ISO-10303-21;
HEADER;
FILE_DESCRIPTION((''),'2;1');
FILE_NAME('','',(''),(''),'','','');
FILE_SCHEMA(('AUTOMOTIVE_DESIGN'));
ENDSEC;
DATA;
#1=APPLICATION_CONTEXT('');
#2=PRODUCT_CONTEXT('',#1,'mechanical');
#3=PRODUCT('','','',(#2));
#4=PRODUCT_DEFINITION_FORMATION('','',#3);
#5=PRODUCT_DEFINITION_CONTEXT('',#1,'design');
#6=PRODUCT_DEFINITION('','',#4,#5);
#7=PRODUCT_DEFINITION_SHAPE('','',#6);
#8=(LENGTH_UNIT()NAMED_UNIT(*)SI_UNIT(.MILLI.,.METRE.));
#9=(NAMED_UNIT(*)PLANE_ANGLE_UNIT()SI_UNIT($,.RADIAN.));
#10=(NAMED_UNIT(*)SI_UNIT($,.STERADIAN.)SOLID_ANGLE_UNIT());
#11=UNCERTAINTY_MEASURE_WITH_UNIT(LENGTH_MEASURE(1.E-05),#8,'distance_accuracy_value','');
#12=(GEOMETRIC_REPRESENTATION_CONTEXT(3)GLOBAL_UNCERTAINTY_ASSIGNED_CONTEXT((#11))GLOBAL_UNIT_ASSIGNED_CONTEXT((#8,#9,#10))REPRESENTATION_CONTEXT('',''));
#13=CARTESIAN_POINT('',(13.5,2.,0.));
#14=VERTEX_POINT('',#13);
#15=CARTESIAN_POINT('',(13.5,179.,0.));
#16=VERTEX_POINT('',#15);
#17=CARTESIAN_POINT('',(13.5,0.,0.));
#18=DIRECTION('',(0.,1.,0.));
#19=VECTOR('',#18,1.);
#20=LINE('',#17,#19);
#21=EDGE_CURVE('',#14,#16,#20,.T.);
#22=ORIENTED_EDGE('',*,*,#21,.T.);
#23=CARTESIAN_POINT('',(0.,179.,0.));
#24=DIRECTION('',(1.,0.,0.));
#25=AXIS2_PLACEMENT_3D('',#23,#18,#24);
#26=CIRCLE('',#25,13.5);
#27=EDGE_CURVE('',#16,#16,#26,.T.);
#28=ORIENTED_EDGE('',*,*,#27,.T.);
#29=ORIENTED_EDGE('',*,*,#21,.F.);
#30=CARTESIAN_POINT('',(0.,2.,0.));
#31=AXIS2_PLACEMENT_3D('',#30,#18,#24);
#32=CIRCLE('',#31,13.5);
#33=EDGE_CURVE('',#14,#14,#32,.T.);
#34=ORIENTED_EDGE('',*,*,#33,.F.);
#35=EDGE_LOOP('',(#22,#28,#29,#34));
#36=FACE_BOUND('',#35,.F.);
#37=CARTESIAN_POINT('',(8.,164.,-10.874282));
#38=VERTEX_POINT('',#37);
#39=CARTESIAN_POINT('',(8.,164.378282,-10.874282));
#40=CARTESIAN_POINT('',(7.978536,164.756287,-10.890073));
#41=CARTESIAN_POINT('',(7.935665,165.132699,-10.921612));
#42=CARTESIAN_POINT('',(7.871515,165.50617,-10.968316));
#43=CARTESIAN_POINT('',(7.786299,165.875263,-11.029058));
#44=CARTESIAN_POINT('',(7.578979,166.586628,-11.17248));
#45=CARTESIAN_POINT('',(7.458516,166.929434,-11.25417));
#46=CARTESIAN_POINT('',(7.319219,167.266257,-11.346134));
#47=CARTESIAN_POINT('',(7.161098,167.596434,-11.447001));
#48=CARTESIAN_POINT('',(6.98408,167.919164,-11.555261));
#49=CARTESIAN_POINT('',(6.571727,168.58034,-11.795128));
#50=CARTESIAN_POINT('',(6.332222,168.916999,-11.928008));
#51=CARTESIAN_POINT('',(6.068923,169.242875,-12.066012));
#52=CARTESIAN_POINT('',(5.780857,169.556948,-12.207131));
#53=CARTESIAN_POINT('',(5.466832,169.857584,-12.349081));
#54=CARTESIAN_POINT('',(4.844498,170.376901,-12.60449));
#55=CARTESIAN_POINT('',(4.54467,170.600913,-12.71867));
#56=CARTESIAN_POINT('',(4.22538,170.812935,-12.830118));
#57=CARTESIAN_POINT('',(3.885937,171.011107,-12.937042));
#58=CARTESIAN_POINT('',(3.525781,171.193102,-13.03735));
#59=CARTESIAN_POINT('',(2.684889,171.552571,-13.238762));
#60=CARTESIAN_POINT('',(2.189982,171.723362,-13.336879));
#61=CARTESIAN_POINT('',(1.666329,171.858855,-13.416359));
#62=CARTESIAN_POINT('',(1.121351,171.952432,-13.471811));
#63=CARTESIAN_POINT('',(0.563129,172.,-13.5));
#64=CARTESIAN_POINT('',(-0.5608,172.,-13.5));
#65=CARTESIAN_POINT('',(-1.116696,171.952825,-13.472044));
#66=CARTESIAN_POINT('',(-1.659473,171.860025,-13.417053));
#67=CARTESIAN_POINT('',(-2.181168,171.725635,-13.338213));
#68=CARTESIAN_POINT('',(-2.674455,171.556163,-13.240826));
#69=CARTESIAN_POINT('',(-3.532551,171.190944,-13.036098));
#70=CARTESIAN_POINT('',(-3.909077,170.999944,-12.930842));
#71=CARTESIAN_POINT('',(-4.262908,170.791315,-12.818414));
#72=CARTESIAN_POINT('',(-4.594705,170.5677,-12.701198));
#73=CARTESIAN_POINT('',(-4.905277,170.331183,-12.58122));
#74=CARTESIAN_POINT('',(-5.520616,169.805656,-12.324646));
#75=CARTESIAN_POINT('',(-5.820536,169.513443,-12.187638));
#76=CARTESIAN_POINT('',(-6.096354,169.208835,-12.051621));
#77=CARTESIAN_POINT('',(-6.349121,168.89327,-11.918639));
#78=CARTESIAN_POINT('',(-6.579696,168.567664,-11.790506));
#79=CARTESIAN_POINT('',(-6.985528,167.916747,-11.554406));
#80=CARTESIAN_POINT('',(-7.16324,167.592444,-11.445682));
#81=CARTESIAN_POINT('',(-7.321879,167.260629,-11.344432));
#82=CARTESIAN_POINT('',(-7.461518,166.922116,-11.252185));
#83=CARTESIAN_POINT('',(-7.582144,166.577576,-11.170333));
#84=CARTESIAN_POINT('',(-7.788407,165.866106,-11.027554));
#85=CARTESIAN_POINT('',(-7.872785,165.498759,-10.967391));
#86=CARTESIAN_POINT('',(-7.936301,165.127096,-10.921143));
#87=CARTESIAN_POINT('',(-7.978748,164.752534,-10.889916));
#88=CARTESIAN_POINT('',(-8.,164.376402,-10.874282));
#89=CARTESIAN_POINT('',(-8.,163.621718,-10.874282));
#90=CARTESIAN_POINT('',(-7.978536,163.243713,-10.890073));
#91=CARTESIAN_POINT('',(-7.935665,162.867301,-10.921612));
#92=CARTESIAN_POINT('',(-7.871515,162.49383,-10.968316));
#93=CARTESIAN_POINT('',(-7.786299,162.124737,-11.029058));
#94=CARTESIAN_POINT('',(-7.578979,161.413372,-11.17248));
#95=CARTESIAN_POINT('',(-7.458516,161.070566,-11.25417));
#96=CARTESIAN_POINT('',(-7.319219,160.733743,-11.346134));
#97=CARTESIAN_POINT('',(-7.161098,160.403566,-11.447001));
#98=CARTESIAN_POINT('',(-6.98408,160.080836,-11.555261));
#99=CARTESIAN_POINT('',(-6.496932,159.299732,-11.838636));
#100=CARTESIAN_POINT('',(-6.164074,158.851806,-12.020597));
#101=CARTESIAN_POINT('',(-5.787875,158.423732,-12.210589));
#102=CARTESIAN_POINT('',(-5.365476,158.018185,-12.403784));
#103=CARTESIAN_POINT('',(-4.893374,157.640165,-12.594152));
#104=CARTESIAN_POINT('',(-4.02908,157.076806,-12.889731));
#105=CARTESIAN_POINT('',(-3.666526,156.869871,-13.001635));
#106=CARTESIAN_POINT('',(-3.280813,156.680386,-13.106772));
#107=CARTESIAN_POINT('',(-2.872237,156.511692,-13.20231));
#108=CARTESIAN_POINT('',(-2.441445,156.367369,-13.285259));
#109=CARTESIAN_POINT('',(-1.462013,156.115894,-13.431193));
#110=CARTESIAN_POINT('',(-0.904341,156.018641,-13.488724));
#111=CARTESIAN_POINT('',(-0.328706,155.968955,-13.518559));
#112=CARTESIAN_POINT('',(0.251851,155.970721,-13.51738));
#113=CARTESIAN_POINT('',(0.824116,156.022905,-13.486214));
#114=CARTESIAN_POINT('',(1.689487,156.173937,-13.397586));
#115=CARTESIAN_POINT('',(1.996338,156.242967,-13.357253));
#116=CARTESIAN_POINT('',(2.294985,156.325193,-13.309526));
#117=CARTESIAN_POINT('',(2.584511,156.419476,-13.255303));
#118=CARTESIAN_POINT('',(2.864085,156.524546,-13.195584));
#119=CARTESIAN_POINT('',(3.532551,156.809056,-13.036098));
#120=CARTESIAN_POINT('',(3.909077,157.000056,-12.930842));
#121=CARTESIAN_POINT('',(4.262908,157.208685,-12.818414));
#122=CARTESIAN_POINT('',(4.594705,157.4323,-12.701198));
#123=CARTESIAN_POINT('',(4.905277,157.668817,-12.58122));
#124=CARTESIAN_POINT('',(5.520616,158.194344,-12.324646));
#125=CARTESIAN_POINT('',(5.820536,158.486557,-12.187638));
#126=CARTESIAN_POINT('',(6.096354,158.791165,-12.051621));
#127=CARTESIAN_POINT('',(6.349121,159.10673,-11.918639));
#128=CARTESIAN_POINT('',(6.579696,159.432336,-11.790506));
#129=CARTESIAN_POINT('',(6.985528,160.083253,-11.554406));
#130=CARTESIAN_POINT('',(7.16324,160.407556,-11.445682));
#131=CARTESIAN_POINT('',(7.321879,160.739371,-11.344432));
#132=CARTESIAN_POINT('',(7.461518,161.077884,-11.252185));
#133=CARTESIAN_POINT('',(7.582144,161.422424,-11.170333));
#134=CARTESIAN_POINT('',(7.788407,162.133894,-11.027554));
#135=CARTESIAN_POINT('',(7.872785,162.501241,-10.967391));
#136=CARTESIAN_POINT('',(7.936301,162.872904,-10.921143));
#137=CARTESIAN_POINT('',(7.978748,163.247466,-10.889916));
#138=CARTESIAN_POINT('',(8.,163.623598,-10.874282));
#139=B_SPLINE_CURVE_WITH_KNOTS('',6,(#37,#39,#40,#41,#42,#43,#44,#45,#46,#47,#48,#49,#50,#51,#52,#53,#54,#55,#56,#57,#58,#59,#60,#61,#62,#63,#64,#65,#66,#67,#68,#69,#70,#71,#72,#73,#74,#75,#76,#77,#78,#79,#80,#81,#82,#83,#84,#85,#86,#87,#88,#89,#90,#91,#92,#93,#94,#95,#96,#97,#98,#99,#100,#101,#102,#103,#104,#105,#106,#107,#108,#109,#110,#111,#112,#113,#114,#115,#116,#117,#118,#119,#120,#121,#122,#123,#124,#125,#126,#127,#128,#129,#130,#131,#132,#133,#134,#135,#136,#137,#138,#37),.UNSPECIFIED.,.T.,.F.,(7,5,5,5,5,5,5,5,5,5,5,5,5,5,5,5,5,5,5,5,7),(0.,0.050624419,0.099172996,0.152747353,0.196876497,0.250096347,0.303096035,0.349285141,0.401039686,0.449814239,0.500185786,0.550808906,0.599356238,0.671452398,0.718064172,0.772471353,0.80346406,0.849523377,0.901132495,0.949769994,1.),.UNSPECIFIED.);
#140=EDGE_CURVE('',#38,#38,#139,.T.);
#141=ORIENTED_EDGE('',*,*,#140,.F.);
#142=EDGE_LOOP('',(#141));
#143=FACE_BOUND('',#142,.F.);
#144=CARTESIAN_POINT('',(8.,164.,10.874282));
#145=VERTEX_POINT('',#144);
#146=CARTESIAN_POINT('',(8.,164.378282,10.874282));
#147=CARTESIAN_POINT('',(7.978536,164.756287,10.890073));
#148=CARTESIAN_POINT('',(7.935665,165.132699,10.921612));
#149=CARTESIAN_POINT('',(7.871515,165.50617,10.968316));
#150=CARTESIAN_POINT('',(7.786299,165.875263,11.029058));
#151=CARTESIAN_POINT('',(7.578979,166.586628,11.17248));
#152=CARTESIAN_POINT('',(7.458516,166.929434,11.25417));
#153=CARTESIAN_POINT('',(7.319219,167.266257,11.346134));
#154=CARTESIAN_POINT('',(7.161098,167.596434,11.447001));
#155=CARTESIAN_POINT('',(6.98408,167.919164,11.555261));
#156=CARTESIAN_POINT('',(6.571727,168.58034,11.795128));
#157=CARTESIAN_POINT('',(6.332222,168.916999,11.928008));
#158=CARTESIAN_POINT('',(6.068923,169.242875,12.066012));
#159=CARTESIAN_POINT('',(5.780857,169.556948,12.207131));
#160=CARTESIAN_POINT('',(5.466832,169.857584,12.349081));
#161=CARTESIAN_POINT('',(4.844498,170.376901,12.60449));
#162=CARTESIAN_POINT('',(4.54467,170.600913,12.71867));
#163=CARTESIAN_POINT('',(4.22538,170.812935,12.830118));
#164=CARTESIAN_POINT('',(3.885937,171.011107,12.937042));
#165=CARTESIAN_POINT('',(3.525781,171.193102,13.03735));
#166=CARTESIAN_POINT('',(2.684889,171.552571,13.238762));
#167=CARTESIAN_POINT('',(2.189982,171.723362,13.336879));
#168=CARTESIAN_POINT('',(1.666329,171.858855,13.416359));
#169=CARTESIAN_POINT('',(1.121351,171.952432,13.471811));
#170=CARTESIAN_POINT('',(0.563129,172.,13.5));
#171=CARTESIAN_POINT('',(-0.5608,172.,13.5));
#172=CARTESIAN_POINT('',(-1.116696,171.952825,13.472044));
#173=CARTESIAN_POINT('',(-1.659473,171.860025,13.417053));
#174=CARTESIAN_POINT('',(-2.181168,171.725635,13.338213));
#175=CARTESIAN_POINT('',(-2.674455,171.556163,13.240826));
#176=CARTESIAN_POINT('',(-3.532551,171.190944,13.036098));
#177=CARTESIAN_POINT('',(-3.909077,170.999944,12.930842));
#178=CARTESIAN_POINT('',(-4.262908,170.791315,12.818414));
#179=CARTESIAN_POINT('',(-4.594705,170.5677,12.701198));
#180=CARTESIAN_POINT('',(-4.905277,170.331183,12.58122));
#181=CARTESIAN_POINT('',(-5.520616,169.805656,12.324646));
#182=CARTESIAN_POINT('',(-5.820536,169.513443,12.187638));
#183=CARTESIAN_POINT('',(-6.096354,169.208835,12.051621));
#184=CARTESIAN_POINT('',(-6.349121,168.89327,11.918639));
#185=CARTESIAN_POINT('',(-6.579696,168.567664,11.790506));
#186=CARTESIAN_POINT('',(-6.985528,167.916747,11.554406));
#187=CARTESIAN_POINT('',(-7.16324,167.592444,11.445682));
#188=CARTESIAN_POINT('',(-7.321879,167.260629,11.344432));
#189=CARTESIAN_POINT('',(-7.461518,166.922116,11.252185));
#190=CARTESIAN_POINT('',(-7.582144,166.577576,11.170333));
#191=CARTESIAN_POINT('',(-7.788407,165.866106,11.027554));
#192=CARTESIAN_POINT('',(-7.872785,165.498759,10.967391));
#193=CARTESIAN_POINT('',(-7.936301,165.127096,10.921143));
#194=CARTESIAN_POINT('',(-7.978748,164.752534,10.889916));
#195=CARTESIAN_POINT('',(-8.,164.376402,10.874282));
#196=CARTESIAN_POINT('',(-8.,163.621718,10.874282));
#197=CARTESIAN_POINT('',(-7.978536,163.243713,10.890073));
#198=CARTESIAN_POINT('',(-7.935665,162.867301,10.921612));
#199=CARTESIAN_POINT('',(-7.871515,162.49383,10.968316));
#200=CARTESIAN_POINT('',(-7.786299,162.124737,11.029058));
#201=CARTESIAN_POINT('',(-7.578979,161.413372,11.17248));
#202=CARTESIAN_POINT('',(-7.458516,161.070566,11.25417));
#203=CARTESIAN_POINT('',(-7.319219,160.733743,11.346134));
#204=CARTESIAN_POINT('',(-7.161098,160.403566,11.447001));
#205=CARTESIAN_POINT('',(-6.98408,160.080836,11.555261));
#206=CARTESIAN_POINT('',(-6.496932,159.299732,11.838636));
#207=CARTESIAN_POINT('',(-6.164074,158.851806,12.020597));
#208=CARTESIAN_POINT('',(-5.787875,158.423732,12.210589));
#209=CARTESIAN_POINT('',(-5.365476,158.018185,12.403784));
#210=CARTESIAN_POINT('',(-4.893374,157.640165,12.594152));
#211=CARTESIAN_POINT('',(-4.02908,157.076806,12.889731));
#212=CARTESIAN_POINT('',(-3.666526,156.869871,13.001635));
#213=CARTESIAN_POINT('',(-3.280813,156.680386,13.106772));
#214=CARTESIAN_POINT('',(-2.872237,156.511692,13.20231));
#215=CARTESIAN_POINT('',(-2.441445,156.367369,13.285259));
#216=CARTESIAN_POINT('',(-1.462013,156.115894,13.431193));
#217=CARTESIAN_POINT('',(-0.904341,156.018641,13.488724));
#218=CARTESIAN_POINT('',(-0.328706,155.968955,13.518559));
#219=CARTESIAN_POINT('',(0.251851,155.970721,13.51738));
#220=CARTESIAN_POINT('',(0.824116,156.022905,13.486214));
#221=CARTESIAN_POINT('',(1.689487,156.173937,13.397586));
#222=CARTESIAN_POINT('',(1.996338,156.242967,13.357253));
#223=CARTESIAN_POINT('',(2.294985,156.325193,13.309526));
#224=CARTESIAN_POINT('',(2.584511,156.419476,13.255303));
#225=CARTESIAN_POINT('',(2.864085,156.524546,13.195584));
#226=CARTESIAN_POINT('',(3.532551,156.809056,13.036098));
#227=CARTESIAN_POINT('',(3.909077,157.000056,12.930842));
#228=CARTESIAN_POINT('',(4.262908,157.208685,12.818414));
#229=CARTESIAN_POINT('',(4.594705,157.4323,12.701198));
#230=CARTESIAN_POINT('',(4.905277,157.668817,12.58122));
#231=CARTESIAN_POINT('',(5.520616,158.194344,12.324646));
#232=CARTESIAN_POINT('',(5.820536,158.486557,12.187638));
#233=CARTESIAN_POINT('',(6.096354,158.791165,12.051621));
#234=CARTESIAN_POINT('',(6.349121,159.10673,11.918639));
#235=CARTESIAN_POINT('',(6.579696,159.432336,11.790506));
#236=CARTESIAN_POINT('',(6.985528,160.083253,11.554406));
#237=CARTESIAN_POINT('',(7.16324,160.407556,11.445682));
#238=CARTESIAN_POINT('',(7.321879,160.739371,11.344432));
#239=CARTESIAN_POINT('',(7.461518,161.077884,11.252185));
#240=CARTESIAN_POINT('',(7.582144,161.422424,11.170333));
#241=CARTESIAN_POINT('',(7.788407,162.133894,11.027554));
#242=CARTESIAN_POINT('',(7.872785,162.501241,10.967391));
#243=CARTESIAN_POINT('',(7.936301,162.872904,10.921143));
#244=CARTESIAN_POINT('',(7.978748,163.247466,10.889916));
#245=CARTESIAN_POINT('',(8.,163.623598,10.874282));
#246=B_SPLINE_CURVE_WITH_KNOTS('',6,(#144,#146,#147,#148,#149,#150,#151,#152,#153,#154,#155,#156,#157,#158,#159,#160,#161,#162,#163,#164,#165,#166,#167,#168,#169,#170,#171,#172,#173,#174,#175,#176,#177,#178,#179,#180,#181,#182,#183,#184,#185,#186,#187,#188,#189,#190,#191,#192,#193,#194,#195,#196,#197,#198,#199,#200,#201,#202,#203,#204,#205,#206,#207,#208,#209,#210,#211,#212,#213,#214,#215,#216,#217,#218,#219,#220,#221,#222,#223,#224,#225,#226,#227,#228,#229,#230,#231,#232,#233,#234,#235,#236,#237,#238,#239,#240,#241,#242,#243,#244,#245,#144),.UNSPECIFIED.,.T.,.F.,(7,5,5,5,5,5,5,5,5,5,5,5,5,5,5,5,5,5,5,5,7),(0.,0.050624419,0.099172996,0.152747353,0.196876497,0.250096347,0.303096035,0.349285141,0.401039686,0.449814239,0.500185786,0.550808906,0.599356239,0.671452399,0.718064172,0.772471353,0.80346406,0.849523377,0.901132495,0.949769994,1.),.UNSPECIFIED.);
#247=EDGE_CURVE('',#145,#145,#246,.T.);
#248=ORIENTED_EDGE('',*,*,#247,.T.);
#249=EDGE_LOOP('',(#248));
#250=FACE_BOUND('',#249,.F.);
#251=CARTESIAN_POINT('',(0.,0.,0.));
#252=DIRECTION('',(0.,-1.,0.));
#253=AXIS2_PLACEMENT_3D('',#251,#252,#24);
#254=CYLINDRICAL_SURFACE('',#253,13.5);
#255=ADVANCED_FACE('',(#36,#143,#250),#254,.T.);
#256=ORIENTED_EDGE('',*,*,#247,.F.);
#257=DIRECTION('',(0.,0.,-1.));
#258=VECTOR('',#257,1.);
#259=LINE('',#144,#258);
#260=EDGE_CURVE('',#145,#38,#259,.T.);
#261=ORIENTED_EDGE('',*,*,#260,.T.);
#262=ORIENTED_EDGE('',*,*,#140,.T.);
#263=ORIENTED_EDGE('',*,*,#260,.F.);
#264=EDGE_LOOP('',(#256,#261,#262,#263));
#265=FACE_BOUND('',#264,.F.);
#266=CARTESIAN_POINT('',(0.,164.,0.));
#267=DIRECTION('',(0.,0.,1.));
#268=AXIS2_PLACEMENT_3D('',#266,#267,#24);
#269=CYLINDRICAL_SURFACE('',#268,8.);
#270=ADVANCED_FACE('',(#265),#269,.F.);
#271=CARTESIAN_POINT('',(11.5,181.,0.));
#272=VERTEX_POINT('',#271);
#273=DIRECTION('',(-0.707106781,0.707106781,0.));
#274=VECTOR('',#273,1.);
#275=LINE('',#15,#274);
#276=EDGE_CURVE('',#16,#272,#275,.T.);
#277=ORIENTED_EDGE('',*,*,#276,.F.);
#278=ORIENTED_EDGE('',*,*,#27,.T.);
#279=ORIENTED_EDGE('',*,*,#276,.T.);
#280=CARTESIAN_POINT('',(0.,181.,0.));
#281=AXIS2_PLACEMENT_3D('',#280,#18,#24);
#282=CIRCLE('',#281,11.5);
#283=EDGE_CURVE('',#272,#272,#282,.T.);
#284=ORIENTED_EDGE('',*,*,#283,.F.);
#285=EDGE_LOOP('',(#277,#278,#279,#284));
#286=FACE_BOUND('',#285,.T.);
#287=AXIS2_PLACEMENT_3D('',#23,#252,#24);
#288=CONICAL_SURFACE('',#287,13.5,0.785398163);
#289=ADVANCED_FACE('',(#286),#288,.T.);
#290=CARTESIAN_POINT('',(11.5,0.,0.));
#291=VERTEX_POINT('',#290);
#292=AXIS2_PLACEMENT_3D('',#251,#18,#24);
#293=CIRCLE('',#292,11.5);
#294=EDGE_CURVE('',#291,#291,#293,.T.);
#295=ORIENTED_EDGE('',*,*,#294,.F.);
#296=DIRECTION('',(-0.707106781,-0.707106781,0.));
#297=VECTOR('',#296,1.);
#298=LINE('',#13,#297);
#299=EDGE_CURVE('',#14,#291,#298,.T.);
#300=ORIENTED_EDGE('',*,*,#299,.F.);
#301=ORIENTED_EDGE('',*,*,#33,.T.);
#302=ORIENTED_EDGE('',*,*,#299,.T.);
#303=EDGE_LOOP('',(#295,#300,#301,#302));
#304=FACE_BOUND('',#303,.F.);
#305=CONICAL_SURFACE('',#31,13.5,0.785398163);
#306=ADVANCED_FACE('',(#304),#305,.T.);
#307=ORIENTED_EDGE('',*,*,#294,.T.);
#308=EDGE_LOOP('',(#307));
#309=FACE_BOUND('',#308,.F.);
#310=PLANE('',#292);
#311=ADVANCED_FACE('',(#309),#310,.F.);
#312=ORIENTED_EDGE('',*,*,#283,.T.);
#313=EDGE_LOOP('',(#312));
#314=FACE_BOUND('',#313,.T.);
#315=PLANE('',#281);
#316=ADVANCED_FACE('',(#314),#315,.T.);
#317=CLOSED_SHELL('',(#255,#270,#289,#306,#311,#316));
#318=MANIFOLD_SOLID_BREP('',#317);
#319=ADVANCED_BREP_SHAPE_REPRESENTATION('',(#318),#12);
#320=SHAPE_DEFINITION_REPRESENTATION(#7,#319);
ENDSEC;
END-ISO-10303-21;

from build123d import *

# Parameters (mm, degrees)
SKETCH1_R               = 13.5
BOSS_EXTRUDE1_DEPTH     = 181
SKETCH2_R               = 8
CUT_EXTRUDE1_DEPTH      = 14.5
CUT_EXTRUDE1_DEPTH_BACK = 14.5
CHAMFER1_SIZE           = 2


with BuildPart() as part:
    # Sketch1 → Boss-Extrude1 (new body)
    with BuildSketch(Plane(origin=(0, 0, 0), x_dir=(1, 0, 0), z_dir=(0, 1, 0))):
        Circle(SKETCH1_R)
    extrude(amount=BOSS_EXTRUDE1_DEPTH)

    # Sketch2 → Cut-Extrude1 (cut, two sides)
    with BuildSketch(Plane.XY) as cut_extrude1_sk:
        with Locations((0, 164)):
            Circle(SKETCH2_R)
    extrude(amount=CUT_EXTRUDE1_DEPTH, mode=Mode.SUBTRACT)
    extrude(cut_extrude1_sk.sketch, amount=-CUT_EXTRUDE1_DEPTH_BACK, mode=Mode.SUBTRACT)

    # Chamfer1
    chamfer1_edges = [part.edges().sort_by_distance(p)[0] for p in [
        (-13.5, 0, 0),
        (-13.5, 181, 0),
    ]]
    chamfer(chamfer1_edges, length=CHAMFER1_SIZE)


solid = part.part
